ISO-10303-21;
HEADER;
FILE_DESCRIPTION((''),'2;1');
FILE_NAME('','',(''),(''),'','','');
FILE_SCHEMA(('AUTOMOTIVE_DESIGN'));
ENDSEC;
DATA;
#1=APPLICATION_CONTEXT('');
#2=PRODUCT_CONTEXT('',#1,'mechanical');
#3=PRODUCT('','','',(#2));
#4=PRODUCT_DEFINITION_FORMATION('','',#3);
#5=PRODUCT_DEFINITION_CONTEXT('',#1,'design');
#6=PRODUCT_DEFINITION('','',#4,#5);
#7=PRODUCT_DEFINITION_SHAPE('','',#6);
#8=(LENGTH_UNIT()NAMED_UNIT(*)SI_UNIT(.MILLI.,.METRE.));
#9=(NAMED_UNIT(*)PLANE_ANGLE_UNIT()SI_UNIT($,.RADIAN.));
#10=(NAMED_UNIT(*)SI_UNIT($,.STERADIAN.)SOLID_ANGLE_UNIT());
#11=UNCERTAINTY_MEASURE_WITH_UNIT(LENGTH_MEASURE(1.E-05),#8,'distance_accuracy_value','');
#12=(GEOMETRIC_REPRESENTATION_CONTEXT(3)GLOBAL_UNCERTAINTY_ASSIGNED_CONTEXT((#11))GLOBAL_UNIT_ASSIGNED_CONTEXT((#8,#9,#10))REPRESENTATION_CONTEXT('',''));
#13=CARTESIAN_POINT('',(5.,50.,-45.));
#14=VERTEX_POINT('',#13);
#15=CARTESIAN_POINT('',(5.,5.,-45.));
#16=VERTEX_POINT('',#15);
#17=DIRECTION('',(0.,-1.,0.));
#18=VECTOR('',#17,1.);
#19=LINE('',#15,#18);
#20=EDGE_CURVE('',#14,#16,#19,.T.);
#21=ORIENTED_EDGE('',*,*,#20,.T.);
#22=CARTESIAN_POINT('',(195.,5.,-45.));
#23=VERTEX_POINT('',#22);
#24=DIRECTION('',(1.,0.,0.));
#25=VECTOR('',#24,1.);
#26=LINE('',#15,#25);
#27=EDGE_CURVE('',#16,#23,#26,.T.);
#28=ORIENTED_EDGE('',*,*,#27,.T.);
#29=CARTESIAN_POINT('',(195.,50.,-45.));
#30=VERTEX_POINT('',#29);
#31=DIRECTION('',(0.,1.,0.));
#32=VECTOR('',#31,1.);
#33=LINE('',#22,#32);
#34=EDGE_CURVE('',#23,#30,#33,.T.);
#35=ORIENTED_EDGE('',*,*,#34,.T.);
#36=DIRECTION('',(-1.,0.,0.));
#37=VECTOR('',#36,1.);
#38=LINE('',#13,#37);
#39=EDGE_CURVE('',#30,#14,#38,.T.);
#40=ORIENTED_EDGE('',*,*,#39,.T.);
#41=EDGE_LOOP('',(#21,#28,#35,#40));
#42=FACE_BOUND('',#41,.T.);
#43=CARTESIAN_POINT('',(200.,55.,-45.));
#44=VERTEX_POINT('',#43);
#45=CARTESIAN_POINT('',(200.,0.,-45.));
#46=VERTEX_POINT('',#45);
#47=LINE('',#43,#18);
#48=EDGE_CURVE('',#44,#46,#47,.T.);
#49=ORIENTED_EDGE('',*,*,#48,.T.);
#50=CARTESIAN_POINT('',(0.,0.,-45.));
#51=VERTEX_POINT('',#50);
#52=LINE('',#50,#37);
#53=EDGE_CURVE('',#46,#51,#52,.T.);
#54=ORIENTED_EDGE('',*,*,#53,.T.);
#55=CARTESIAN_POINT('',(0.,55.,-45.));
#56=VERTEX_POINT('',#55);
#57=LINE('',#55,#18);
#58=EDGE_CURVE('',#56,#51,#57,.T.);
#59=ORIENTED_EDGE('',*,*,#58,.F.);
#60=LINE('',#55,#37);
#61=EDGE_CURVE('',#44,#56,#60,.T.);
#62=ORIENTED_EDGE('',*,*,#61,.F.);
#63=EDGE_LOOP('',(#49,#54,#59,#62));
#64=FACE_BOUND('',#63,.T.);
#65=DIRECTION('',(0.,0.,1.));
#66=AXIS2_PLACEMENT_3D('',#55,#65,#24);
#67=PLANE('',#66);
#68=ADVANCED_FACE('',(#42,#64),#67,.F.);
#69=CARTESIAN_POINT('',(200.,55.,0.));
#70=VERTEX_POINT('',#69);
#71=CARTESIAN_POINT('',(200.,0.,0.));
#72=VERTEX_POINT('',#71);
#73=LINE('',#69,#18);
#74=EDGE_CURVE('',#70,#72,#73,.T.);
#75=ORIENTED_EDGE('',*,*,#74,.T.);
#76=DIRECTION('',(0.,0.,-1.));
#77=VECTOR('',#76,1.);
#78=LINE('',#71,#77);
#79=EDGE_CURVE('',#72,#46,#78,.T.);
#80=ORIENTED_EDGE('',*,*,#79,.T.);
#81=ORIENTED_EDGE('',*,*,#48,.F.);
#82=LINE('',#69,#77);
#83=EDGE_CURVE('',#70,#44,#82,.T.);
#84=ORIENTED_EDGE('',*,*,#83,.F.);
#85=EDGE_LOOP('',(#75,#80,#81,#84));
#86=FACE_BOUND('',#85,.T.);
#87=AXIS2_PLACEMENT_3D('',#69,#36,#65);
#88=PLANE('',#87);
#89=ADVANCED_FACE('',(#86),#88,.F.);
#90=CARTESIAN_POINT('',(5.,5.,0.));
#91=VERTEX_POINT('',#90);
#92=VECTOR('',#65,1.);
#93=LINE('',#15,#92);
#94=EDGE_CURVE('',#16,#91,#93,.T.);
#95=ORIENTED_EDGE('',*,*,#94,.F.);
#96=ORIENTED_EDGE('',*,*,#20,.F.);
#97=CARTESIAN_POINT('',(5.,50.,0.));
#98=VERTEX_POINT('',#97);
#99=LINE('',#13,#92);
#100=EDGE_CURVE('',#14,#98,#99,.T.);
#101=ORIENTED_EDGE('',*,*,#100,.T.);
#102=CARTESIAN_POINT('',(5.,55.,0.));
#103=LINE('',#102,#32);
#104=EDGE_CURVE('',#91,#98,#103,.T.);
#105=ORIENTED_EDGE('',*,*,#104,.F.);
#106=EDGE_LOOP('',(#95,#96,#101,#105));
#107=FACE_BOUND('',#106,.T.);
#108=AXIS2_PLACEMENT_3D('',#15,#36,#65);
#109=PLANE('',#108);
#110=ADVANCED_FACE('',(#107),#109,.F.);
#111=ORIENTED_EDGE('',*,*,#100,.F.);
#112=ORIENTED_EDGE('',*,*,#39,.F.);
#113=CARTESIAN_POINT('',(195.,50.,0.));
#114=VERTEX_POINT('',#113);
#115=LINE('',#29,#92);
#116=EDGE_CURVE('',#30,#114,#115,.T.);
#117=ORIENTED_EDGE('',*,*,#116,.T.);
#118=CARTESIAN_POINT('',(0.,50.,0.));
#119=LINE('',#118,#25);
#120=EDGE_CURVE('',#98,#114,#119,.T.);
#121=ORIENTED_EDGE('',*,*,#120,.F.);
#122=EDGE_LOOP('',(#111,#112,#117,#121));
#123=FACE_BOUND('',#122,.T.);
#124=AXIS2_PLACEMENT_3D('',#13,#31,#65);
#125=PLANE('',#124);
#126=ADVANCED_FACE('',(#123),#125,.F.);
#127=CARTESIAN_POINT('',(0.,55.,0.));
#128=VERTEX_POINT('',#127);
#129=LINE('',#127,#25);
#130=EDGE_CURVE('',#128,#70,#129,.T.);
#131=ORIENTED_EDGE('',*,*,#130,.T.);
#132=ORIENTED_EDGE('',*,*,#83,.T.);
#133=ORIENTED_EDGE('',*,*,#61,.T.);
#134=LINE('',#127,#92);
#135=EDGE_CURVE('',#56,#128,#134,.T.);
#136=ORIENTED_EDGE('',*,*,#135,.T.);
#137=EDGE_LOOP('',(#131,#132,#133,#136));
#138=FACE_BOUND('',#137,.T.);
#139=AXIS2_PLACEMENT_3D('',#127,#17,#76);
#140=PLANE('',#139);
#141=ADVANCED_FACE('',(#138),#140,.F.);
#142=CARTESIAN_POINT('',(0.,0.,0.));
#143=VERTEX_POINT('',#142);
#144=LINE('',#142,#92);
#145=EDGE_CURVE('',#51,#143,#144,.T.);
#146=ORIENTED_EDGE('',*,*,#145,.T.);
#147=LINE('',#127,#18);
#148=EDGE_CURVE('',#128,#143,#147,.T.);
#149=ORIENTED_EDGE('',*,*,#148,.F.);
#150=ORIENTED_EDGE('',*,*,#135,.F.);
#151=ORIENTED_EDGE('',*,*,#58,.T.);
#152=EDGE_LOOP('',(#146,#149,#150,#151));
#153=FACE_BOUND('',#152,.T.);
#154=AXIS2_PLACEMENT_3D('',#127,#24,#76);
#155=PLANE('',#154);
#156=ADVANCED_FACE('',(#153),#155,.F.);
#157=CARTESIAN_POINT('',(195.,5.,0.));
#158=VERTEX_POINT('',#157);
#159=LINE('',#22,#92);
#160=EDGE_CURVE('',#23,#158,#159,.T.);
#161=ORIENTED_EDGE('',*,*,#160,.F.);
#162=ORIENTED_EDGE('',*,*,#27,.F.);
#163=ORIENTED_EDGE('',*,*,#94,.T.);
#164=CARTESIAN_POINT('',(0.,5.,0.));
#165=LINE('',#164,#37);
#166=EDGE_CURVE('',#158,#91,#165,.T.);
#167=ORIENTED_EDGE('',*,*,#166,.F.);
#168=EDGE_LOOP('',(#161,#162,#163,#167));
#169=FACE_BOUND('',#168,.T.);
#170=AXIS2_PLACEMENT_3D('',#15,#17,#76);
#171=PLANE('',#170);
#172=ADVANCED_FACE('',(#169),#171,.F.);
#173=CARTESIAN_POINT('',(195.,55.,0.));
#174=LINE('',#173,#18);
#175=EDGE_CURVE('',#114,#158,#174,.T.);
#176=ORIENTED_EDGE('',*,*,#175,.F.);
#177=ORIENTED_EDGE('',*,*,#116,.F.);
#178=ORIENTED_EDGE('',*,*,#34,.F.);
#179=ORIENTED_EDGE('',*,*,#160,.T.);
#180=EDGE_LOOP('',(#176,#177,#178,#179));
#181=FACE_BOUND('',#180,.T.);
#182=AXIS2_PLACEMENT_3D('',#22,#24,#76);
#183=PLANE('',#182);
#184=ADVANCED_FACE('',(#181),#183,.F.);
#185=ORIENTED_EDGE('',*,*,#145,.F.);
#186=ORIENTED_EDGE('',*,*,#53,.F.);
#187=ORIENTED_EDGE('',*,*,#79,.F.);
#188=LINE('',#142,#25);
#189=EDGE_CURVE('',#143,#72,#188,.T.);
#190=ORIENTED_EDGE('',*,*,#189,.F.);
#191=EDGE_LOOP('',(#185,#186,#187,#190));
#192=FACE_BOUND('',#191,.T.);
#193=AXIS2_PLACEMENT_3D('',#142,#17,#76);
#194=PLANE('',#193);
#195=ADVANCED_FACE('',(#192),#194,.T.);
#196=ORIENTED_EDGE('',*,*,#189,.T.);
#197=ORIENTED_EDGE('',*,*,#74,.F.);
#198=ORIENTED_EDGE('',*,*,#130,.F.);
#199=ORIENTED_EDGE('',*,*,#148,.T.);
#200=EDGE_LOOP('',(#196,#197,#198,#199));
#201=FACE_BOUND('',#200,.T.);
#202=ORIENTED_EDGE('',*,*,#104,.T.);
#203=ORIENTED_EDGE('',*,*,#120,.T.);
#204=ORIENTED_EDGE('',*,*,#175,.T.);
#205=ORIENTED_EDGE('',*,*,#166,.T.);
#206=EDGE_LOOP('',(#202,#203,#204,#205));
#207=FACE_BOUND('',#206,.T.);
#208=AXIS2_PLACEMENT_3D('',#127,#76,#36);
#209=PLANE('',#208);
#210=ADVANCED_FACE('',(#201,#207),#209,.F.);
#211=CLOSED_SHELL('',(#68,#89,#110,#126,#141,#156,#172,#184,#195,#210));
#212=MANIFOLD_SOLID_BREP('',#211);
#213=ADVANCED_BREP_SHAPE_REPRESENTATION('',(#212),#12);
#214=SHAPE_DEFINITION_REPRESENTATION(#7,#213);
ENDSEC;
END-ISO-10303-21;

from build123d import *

# Parameters (mm, degrees)
SKETCH1_W               = 200
SKETCH1_H               = 45
BOSS_EXTRUDE1_DEPTH     = 55
CUT_EXTRUDE1_DEPTH      = 213.249852768
CUT_EXTRUDE1_DEPTH_BACK = 213.249852768
SKETCH2_W               = 190
SKETCH2_H               = 45


with BuildPart() as part:
    # Sketch1 → Boss-Extrude1 (new body)
    with BuildSketch(Plane(origin=(0, 0, 0), x_dir=(1, 0, 0), z_dir=(0, 1, 0))):
        with Locations((100, 22.5)):
            Rectangle(SKETCH1_W, SKETCH1_H)
    extrude(amount=BOSS_EXTRUDE1_DEPTH)

    # Sketch2 → Cut-Extrude1 (cut, two sides: drawn at the far end of the back side and taken through both)
    with BuildSketch(Plane.XY.offset(-CUT_EXTRUDE1_DEPTH_BACK)):
        with Locations((100, 27.5)):
            Rectangle(SKETCH2_W, SKETCH2_H)
    extrude(amount=CUT_EXTRUDE1_DEPTH + CUT_EXTRUDE1_DEPTH_BACK, mode=Mode.SUBTRACT)


solid = part.part
